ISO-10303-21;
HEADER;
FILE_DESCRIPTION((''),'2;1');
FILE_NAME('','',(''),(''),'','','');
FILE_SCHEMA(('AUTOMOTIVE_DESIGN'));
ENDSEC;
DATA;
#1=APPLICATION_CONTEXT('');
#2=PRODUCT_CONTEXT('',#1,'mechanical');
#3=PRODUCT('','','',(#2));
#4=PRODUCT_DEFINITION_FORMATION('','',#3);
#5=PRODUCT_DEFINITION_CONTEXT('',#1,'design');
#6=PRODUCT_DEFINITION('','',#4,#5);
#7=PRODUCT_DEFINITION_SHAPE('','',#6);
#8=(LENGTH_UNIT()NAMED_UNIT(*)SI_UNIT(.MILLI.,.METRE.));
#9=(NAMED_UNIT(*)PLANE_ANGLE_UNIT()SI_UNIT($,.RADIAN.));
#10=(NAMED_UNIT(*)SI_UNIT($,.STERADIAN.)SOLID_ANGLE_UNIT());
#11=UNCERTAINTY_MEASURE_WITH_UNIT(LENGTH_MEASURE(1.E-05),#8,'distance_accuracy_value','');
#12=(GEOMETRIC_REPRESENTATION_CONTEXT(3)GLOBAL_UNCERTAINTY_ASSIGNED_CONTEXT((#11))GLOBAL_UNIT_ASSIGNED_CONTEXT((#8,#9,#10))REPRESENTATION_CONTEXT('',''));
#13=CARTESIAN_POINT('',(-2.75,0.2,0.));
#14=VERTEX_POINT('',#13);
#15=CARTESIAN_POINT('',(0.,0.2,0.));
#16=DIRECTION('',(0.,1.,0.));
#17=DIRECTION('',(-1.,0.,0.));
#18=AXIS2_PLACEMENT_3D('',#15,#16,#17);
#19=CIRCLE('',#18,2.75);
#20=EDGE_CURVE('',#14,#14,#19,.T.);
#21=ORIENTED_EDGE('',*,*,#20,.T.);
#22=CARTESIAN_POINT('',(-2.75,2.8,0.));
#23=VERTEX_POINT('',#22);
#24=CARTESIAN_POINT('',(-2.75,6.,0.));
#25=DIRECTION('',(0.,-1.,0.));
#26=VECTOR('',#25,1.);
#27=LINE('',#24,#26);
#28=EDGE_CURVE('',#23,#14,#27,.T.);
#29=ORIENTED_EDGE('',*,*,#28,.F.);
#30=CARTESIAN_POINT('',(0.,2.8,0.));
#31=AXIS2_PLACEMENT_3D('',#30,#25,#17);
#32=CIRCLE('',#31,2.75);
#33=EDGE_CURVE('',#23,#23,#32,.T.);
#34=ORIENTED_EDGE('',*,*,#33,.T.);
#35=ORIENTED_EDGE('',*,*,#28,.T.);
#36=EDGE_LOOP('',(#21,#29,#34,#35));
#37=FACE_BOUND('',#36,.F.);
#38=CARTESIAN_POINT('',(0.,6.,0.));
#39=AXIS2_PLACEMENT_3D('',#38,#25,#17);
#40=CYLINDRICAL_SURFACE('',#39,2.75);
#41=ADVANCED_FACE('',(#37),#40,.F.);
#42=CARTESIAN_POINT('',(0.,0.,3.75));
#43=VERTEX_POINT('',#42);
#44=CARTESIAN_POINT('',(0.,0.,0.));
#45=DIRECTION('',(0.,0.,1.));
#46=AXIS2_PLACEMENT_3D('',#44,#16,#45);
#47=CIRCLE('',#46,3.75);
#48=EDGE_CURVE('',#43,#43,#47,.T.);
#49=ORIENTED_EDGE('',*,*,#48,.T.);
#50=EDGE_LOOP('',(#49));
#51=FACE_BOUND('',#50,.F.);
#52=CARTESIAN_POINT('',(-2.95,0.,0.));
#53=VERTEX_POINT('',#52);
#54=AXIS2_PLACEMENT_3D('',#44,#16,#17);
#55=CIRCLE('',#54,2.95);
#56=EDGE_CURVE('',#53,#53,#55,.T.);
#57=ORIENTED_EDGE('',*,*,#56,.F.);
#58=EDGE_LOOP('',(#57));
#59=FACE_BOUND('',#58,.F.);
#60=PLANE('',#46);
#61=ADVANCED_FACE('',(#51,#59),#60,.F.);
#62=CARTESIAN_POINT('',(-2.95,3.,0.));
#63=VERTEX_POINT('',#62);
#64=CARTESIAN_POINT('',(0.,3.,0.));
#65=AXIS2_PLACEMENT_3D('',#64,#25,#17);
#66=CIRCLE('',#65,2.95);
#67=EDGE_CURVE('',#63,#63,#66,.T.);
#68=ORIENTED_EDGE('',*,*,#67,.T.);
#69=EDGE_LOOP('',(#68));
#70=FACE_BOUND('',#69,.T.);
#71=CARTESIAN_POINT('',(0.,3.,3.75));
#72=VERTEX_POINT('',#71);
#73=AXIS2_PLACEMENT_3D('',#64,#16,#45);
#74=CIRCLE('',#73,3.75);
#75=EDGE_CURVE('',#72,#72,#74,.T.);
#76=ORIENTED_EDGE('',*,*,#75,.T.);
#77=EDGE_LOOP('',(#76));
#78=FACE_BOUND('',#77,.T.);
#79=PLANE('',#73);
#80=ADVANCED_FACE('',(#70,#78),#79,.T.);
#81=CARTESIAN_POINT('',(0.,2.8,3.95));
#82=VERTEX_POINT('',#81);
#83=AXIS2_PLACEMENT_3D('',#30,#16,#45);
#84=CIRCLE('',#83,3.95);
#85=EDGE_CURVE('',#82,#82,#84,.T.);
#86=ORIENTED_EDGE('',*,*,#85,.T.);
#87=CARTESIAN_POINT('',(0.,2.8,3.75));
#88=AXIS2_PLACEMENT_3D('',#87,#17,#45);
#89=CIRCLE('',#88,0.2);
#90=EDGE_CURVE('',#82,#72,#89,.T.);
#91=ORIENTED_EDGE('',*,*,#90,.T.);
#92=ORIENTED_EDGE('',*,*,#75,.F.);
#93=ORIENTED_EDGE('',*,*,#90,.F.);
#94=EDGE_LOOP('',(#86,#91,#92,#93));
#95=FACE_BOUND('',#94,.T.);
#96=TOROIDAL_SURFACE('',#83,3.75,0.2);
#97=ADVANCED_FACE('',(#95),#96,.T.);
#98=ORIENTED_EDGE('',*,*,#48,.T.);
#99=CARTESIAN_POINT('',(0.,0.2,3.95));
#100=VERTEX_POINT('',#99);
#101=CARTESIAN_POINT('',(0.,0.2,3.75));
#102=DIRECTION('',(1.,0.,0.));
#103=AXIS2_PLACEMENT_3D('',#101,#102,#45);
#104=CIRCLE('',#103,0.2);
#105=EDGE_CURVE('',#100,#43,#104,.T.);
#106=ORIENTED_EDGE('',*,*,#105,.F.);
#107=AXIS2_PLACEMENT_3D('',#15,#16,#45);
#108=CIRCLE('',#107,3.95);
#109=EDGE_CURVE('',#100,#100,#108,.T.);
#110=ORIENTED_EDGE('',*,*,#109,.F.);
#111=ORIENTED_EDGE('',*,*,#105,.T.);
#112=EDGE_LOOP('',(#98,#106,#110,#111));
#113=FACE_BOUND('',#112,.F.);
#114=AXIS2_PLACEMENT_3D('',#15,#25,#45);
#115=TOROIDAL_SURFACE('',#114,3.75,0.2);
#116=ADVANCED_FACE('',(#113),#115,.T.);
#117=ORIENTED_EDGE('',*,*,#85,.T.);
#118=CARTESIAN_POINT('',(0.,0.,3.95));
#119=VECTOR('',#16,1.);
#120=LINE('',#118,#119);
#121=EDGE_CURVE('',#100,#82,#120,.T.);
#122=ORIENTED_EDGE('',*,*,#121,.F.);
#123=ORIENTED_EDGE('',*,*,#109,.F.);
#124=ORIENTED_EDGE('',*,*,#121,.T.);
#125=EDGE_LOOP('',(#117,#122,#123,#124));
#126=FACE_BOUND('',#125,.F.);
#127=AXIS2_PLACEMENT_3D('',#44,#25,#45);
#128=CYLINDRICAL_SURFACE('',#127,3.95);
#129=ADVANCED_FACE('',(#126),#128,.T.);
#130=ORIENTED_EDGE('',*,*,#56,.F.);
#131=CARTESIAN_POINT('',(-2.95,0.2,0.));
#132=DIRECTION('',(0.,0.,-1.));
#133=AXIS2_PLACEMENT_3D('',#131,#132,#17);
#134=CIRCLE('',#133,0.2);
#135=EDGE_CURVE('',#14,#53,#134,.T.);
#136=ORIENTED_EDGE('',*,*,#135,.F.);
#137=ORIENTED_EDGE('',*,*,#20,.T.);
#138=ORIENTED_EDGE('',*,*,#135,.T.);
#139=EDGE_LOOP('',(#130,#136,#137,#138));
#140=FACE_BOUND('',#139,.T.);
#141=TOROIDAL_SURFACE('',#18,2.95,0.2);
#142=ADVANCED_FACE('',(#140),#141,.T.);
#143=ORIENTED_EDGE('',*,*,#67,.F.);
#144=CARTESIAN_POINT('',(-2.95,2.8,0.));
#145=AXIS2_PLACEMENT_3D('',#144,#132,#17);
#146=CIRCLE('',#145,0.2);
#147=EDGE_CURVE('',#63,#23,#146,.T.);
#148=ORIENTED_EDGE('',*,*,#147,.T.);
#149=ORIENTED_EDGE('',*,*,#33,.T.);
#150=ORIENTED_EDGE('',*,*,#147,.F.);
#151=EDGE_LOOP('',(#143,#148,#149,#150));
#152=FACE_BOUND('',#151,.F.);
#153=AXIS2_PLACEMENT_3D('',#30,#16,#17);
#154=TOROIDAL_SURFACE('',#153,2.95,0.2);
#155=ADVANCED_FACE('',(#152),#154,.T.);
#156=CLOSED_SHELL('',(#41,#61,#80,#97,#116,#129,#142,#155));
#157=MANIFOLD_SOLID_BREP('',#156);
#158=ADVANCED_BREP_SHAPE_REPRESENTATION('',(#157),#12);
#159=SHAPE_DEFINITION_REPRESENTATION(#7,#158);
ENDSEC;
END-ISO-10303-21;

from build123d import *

# Parameters (mm, degrees)
SKETCH1_R                = 3.95
BOSS_EXTRUDE1_DEPTH      = 3
M5_CLEARANCE_HOLE1_D     = 5.5
M5_CLEARANCE_HOLE1_DEPTH = 3
M5_CLEARANCE_HOLE1_TIP   = 1.652366702
FILLET1_R                = 0.2


with BuildPart() as part:
    # Sketch1 → Boss-Extrude1 (new body)
    with BuildSketch(Plane(origin=(0, 0, 0), x_dir=(1, 0, 0), z_dir=(0, 1, 0))):
        Circle(SKETCH1_R)
    extrude(amount=BOSS_EXTRUDE1_DEPTH)

    # M5 Clearance Hole1
    with Locations(Plane(origin=(0, 3, 0), x_dir=(1, 0, 0), z_dir=(0, 1, 0))):
        with Locations((0, 0)):
            Hole(M5_CLEARANCE_HOLE1_D / 2, depth=M5_CLEARANCE_HOLE1_DEPTH)
            with Locations((0, 0, -(M5_CLEARANCE_HOLE1_DEPTH + M5_CLEARANCE_HOLE1_TIP / 2))):  # 118° drill point
                Cone(0, M5_CLEARANCE_HOLE1_D / 2, M5_CLEARANCE_HOLE1_TIP, mode=Mode.SUBTRACT)

    # Fillet1
    fillet1_edges = [part.edges().sort_by_distance(p)[0] for p in [
        (-3.95, 0, 0),
        (-3.95, 3, 0),
        (2.75, 0, 0),
        (2.75, 3, 0),
    ]]
    fillet(fillet1_edges, radius=FILLET1_R)


solid = part.part
